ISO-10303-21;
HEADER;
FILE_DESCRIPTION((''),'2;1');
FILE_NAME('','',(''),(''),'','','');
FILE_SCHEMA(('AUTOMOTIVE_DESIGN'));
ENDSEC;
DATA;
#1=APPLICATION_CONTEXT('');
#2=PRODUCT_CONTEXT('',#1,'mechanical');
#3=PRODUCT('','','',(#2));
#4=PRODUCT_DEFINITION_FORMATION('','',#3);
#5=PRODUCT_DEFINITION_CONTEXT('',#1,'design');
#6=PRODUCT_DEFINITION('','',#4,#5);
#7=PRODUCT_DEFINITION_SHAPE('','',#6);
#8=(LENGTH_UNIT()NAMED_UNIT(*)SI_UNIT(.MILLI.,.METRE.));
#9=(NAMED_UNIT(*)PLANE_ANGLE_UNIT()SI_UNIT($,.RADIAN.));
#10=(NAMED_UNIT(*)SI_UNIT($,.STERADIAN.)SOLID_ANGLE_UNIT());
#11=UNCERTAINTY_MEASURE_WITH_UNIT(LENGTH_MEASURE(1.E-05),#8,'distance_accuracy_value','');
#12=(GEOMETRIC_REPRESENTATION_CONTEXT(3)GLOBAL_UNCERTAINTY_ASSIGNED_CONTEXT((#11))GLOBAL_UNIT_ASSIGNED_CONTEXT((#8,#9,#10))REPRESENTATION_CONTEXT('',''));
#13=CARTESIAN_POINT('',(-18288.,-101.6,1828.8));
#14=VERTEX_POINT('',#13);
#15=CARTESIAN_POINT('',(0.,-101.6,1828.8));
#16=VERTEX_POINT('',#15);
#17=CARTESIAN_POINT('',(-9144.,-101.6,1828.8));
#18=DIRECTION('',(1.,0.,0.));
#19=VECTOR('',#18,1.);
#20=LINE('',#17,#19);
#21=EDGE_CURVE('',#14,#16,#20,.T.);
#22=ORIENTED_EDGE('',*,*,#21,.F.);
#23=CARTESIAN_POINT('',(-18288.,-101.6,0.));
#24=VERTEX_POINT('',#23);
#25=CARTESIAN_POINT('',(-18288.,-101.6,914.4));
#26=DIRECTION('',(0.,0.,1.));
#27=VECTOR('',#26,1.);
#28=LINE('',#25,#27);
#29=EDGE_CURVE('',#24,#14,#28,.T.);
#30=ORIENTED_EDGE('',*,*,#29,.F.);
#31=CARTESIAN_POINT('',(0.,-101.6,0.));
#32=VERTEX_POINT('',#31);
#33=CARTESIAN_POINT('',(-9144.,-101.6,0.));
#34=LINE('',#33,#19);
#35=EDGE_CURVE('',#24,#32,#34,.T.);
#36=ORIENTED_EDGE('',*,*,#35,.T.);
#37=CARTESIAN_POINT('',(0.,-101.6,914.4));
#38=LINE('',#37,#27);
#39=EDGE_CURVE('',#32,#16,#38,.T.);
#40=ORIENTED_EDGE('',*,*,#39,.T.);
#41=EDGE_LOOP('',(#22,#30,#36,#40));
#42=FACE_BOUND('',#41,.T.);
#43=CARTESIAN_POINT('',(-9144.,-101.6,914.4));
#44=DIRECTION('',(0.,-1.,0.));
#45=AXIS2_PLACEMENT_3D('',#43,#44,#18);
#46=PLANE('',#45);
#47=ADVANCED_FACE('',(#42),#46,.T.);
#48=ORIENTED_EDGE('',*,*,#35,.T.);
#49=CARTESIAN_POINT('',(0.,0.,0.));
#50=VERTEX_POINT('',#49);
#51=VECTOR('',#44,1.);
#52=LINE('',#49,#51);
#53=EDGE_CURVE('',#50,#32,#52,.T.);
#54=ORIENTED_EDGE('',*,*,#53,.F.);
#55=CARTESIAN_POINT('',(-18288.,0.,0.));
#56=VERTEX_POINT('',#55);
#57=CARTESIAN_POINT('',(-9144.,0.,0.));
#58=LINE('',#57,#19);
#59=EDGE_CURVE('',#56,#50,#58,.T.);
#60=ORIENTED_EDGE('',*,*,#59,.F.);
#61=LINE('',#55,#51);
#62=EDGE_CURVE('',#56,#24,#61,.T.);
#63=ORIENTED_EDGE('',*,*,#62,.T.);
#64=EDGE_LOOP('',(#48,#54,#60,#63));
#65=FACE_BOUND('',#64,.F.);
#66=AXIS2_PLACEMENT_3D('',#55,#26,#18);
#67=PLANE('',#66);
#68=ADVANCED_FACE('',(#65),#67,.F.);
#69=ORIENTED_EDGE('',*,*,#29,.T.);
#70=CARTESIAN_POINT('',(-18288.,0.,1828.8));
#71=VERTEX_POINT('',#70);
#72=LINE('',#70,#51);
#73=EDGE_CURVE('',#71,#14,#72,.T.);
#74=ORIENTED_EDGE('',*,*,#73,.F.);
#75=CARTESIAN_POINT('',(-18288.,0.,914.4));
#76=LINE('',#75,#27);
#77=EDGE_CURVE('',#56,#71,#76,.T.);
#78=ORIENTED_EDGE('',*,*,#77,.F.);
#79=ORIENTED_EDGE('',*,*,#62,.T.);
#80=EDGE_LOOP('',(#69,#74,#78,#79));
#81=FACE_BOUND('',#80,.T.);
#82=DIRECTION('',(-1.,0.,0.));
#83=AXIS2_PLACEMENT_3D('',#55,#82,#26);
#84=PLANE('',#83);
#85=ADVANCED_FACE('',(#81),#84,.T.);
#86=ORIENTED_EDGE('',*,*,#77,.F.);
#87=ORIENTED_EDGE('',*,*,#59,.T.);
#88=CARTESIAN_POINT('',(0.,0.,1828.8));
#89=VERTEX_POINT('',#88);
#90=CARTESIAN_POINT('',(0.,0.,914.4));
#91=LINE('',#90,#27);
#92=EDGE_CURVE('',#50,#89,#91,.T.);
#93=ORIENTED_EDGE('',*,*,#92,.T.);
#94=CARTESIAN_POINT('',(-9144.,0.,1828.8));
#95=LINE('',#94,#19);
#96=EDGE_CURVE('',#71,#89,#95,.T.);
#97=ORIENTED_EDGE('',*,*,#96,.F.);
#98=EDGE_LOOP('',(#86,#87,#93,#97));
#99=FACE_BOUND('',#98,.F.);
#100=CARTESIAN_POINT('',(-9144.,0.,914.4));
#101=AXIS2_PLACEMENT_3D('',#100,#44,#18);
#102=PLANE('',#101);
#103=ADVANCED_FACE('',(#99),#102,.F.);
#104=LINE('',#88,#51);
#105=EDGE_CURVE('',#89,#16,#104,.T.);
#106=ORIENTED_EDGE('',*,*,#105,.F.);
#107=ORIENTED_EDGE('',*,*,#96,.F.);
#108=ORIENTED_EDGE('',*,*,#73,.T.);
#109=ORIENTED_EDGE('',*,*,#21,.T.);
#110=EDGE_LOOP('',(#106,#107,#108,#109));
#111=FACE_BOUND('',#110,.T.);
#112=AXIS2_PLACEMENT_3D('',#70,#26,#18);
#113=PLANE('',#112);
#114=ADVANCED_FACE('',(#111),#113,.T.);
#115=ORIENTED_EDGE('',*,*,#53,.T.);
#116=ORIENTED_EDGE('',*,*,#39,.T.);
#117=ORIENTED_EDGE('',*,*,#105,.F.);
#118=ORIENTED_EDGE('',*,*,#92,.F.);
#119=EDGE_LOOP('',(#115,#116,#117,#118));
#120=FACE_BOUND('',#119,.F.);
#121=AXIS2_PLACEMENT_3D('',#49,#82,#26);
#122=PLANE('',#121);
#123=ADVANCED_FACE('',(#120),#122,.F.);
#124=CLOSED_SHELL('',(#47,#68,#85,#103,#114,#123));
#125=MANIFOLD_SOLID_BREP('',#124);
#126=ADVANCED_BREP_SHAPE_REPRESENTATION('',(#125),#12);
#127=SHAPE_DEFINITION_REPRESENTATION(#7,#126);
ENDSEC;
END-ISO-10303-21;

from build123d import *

# Parameters (mm, degrees)
SKETCH_W  = 18288
SKETCH_H  = 1828.8
PAD_DEPTH = 101.6


with BuildPart() as part:
    # Sketch → Pad (new body)
    with BuildSketch(Plane.XZ):
        with Locations((-9144, 914.4)):
            Rectangle(SKETCH_W, SKETCH_H)
    extrude(amount=PAD_DEPTH)


solid = part.part
